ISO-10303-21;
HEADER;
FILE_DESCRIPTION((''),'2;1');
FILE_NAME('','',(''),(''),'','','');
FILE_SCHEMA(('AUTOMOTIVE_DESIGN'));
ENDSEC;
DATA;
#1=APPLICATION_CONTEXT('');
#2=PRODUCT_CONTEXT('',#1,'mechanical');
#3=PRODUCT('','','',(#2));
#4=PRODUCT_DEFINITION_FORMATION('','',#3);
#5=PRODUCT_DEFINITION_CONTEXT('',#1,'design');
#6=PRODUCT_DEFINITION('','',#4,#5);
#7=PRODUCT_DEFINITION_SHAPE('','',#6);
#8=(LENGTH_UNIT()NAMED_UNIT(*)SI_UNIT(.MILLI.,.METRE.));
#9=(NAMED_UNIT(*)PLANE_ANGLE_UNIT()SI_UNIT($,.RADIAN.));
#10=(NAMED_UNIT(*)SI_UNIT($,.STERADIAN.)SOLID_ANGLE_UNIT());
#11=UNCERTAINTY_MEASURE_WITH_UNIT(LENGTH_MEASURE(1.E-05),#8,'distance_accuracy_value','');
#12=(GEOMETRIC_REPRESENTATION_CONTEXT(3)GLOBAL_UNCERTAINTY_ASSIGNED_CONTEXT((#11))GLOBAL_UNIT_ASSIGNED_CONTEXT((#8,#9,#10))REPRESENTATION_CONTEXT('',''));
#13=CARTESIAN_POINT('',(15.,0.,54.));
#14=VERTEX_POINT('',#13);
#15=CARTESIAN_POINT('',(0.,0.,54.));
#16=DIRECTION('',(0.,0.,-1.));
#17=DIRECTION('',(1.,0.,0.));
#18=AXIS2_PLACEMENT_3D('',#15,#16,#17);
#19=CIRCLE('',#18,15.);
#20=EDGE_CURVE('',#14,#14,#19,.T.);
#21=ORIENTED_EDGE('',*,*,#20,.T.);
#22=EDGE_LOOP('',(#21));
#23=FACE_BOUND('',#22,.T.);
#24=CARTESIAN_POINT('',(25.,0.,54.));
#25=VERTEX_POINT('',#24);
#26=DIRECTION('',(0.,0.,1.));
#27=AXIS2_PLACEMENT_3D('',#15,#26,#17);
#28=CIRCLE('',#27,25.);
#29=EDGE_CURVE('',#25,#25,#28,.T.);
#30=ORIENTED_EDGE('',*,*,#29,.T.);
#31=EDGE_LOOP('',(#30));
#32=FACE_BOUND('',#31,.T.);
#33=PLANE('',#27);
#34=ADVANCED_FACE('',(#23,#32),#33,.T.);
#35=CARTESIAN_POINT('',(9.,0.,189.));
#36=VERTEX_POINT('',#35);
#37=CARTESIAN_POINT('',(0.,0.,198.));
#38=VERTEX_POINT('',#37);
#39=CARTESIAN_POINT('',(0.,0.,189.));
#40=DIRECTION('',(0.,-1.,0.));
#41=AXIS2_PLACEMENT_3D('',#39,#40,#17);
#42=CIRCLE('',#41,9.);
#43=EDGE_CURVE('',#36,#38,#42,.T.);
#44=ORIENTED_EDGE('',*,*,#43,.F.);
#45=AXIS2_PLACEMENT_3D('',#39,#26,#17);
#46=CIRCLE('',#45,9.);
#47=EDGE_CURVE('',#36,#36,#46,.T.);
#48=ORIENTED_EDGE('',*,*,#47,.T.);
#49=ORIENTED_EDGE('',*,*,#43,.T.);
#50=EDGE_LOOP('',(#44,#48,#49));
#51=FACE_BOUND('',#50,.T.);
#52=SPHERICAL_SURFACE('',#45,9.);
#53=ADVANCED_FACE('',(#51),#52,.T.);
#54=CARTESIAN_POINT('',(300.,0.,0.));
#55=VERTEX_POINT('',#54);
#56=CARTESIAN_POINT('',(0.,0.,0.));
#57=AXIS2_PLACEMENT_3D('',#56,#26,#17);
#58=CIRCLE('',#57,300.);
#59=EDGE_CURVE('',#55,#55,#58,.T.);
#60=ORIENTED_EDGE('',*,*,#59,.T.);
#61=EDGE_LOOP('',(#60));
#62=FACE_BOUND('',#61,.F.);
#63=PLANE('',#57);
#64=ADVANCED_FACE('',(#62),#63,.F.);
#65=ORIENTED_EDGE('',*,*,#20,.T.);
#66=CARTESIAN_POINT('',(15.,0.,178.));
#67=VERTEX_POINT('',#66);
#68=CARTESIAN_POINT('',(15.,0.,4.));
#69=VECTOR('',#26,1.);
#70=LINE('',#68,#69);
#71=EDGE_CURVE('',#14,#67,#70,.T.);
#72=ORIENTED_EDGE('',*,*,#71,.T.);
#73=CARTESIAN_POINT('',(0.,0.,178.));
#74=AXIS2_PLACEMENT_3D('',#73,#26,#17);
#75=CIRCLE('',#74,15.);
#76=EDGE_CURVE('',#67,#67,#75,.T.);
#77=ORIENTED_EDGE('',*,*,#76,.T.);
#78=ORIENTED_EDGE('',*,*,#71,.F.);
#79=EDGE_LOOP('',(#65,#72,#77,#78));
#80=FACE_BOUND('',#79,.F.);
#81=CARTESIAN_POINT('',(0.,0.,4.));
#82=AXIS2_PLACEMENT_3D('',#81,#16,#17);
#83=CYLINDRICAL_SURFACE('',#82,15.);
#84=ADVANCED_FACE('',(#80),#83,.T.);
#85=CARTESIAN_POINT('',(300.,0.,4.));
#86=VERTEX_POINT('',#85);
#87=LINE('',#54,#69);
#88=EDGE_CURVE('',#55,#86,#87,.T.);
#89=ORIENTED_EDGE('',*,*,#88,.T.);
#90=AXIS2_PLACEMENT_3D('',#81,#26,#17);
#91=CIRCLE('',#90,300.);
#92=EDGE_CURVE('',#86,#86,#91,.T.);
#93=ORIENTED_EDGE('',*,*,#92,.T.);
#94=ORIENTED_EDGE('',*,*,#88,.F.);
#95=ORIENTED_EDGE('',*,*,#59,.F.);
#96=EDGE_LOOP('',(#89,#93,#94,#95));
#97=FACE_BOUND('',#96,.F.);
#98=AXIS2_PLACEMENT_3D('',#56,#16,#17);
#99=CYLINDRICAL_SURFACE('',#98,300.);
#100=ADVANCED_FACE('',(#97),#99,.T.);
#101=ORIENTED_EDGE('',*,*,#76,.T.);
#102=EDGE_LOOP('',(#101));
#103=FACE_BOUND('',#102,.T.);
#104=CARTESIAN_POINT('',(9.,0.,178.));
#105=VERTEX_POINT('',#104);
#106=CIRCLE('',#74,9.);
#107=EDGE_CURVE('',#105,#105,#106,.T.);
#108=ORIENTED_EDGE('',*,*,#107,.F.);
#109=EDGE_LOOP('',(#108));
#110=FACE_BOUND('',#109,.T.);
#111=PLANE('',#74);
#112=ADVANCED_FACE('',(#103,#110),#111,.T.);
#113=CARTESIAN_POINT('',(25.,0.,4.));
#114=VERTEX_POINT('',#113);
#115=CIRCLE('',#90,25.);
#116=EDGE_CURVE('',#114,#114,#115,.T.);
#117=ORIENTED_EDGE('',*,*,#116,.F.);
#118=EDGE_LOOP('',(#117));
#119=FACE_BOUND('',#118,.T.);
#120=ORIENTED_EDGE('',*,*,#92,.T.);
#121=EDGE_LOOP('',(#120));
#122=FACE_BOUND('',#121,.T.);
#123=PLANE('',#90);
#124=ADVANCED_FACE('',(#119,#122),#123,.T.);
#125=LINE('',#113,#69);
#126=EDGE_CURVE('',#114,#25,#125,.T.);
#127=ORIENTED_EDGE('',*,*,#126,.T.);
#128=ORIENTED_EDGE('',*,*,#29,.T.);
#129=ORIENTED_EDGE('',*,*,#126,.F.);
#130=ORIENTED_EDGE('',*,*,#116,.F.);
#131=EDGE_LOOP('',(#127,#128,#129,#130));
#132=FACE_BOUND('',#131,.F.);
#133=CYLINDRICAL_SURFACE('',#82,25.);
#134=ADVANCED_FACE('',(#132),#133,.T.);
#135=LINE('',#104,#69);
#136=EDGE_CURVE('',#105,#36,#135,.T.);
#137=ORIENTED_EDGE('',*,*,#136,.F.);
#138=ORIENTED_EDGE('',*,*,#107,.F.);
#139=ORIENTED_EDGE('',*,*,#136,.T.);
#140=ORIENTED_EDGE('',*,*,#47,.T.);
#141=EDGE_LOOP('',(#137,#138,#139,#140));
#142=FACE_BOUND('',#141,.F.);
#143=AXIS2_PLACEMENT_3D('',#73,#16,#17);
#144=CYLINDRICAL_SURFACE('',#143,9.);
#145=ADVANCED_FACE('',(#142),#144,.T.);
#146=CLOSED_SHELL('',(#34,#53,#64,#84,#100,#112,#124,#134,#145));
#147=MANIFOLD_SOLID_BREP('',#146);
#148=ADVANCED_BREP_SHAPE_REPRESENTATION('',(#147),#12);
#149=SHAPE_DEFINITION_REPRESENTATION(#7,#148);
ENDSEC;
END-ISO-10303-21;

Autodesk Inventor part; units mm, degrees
ref_plane "YZ Plane" through (0, 0, 0) normal (1, 0, 0) x (0, 1, 0)
ref_plane "XZ Plane" through (0, 0, 0) normal (0, 1, 0) x (-1, 0, 0)
ref_plane "XY Plane" through (0, 0, 0) normal (0, 0, 1) x (1, 0, 0)
sketch "Sketch1" plane through (0, 0, 0) normal (0, 0, 1) x (1, 0, 0)
  circle A0 centre (0, 0) radius 300
  dimension "d0" = 600
extrude "Extrusion1" add sketch "Sketch1" along normal blind 4
sketch "Sketch2" plane through (0, 0, 4) normal (0, 0, 1) x (1, 0, 0)
  circle A0 centre (0, 0) radius 300 projected
  circle A1 centre (0, 0) radius 25
  circle A2 centre (0, 0) radius 15
  dimension "d3" = 50
  dimension "d4" = 30
extrude "Extrusion2" add sketch "Sketch2" along normal blind 50 contours A1 | A2
extrude "Extrusion3" add sketch "Sketch2" along normal blind 174 contours A2
sketch "Sketch3" plane through (0, 0, 178) normal (0, 0, 1) x (1, 0, 0)
  circle A0 centre (0, 0) radius 15 projected
  circle A1 centre (0, 0) radius 9
  dimension "d9" = 18
extrude "Extrusion4" add sketch "Sketch3" along normal blind 20 contours A1
fillet "Fillet1" radius 9 1 edges at (-9, 0, 198)
sketch "Sketch4" plane through (0, 0, 4) normal (0, 0, 1) x (1, 0, 0)
  circle A0 centre (0, 0) radius 25 projected
  circle A1 centre (0, 0) radius 300 projected
  line L0 (0, 0) -> (0, 300)
  line L1 (0, 0) -> (0, -300)
  line L2 (0, 0) -> (300, 0)
properties part number "lilin + dudukan + alas"
